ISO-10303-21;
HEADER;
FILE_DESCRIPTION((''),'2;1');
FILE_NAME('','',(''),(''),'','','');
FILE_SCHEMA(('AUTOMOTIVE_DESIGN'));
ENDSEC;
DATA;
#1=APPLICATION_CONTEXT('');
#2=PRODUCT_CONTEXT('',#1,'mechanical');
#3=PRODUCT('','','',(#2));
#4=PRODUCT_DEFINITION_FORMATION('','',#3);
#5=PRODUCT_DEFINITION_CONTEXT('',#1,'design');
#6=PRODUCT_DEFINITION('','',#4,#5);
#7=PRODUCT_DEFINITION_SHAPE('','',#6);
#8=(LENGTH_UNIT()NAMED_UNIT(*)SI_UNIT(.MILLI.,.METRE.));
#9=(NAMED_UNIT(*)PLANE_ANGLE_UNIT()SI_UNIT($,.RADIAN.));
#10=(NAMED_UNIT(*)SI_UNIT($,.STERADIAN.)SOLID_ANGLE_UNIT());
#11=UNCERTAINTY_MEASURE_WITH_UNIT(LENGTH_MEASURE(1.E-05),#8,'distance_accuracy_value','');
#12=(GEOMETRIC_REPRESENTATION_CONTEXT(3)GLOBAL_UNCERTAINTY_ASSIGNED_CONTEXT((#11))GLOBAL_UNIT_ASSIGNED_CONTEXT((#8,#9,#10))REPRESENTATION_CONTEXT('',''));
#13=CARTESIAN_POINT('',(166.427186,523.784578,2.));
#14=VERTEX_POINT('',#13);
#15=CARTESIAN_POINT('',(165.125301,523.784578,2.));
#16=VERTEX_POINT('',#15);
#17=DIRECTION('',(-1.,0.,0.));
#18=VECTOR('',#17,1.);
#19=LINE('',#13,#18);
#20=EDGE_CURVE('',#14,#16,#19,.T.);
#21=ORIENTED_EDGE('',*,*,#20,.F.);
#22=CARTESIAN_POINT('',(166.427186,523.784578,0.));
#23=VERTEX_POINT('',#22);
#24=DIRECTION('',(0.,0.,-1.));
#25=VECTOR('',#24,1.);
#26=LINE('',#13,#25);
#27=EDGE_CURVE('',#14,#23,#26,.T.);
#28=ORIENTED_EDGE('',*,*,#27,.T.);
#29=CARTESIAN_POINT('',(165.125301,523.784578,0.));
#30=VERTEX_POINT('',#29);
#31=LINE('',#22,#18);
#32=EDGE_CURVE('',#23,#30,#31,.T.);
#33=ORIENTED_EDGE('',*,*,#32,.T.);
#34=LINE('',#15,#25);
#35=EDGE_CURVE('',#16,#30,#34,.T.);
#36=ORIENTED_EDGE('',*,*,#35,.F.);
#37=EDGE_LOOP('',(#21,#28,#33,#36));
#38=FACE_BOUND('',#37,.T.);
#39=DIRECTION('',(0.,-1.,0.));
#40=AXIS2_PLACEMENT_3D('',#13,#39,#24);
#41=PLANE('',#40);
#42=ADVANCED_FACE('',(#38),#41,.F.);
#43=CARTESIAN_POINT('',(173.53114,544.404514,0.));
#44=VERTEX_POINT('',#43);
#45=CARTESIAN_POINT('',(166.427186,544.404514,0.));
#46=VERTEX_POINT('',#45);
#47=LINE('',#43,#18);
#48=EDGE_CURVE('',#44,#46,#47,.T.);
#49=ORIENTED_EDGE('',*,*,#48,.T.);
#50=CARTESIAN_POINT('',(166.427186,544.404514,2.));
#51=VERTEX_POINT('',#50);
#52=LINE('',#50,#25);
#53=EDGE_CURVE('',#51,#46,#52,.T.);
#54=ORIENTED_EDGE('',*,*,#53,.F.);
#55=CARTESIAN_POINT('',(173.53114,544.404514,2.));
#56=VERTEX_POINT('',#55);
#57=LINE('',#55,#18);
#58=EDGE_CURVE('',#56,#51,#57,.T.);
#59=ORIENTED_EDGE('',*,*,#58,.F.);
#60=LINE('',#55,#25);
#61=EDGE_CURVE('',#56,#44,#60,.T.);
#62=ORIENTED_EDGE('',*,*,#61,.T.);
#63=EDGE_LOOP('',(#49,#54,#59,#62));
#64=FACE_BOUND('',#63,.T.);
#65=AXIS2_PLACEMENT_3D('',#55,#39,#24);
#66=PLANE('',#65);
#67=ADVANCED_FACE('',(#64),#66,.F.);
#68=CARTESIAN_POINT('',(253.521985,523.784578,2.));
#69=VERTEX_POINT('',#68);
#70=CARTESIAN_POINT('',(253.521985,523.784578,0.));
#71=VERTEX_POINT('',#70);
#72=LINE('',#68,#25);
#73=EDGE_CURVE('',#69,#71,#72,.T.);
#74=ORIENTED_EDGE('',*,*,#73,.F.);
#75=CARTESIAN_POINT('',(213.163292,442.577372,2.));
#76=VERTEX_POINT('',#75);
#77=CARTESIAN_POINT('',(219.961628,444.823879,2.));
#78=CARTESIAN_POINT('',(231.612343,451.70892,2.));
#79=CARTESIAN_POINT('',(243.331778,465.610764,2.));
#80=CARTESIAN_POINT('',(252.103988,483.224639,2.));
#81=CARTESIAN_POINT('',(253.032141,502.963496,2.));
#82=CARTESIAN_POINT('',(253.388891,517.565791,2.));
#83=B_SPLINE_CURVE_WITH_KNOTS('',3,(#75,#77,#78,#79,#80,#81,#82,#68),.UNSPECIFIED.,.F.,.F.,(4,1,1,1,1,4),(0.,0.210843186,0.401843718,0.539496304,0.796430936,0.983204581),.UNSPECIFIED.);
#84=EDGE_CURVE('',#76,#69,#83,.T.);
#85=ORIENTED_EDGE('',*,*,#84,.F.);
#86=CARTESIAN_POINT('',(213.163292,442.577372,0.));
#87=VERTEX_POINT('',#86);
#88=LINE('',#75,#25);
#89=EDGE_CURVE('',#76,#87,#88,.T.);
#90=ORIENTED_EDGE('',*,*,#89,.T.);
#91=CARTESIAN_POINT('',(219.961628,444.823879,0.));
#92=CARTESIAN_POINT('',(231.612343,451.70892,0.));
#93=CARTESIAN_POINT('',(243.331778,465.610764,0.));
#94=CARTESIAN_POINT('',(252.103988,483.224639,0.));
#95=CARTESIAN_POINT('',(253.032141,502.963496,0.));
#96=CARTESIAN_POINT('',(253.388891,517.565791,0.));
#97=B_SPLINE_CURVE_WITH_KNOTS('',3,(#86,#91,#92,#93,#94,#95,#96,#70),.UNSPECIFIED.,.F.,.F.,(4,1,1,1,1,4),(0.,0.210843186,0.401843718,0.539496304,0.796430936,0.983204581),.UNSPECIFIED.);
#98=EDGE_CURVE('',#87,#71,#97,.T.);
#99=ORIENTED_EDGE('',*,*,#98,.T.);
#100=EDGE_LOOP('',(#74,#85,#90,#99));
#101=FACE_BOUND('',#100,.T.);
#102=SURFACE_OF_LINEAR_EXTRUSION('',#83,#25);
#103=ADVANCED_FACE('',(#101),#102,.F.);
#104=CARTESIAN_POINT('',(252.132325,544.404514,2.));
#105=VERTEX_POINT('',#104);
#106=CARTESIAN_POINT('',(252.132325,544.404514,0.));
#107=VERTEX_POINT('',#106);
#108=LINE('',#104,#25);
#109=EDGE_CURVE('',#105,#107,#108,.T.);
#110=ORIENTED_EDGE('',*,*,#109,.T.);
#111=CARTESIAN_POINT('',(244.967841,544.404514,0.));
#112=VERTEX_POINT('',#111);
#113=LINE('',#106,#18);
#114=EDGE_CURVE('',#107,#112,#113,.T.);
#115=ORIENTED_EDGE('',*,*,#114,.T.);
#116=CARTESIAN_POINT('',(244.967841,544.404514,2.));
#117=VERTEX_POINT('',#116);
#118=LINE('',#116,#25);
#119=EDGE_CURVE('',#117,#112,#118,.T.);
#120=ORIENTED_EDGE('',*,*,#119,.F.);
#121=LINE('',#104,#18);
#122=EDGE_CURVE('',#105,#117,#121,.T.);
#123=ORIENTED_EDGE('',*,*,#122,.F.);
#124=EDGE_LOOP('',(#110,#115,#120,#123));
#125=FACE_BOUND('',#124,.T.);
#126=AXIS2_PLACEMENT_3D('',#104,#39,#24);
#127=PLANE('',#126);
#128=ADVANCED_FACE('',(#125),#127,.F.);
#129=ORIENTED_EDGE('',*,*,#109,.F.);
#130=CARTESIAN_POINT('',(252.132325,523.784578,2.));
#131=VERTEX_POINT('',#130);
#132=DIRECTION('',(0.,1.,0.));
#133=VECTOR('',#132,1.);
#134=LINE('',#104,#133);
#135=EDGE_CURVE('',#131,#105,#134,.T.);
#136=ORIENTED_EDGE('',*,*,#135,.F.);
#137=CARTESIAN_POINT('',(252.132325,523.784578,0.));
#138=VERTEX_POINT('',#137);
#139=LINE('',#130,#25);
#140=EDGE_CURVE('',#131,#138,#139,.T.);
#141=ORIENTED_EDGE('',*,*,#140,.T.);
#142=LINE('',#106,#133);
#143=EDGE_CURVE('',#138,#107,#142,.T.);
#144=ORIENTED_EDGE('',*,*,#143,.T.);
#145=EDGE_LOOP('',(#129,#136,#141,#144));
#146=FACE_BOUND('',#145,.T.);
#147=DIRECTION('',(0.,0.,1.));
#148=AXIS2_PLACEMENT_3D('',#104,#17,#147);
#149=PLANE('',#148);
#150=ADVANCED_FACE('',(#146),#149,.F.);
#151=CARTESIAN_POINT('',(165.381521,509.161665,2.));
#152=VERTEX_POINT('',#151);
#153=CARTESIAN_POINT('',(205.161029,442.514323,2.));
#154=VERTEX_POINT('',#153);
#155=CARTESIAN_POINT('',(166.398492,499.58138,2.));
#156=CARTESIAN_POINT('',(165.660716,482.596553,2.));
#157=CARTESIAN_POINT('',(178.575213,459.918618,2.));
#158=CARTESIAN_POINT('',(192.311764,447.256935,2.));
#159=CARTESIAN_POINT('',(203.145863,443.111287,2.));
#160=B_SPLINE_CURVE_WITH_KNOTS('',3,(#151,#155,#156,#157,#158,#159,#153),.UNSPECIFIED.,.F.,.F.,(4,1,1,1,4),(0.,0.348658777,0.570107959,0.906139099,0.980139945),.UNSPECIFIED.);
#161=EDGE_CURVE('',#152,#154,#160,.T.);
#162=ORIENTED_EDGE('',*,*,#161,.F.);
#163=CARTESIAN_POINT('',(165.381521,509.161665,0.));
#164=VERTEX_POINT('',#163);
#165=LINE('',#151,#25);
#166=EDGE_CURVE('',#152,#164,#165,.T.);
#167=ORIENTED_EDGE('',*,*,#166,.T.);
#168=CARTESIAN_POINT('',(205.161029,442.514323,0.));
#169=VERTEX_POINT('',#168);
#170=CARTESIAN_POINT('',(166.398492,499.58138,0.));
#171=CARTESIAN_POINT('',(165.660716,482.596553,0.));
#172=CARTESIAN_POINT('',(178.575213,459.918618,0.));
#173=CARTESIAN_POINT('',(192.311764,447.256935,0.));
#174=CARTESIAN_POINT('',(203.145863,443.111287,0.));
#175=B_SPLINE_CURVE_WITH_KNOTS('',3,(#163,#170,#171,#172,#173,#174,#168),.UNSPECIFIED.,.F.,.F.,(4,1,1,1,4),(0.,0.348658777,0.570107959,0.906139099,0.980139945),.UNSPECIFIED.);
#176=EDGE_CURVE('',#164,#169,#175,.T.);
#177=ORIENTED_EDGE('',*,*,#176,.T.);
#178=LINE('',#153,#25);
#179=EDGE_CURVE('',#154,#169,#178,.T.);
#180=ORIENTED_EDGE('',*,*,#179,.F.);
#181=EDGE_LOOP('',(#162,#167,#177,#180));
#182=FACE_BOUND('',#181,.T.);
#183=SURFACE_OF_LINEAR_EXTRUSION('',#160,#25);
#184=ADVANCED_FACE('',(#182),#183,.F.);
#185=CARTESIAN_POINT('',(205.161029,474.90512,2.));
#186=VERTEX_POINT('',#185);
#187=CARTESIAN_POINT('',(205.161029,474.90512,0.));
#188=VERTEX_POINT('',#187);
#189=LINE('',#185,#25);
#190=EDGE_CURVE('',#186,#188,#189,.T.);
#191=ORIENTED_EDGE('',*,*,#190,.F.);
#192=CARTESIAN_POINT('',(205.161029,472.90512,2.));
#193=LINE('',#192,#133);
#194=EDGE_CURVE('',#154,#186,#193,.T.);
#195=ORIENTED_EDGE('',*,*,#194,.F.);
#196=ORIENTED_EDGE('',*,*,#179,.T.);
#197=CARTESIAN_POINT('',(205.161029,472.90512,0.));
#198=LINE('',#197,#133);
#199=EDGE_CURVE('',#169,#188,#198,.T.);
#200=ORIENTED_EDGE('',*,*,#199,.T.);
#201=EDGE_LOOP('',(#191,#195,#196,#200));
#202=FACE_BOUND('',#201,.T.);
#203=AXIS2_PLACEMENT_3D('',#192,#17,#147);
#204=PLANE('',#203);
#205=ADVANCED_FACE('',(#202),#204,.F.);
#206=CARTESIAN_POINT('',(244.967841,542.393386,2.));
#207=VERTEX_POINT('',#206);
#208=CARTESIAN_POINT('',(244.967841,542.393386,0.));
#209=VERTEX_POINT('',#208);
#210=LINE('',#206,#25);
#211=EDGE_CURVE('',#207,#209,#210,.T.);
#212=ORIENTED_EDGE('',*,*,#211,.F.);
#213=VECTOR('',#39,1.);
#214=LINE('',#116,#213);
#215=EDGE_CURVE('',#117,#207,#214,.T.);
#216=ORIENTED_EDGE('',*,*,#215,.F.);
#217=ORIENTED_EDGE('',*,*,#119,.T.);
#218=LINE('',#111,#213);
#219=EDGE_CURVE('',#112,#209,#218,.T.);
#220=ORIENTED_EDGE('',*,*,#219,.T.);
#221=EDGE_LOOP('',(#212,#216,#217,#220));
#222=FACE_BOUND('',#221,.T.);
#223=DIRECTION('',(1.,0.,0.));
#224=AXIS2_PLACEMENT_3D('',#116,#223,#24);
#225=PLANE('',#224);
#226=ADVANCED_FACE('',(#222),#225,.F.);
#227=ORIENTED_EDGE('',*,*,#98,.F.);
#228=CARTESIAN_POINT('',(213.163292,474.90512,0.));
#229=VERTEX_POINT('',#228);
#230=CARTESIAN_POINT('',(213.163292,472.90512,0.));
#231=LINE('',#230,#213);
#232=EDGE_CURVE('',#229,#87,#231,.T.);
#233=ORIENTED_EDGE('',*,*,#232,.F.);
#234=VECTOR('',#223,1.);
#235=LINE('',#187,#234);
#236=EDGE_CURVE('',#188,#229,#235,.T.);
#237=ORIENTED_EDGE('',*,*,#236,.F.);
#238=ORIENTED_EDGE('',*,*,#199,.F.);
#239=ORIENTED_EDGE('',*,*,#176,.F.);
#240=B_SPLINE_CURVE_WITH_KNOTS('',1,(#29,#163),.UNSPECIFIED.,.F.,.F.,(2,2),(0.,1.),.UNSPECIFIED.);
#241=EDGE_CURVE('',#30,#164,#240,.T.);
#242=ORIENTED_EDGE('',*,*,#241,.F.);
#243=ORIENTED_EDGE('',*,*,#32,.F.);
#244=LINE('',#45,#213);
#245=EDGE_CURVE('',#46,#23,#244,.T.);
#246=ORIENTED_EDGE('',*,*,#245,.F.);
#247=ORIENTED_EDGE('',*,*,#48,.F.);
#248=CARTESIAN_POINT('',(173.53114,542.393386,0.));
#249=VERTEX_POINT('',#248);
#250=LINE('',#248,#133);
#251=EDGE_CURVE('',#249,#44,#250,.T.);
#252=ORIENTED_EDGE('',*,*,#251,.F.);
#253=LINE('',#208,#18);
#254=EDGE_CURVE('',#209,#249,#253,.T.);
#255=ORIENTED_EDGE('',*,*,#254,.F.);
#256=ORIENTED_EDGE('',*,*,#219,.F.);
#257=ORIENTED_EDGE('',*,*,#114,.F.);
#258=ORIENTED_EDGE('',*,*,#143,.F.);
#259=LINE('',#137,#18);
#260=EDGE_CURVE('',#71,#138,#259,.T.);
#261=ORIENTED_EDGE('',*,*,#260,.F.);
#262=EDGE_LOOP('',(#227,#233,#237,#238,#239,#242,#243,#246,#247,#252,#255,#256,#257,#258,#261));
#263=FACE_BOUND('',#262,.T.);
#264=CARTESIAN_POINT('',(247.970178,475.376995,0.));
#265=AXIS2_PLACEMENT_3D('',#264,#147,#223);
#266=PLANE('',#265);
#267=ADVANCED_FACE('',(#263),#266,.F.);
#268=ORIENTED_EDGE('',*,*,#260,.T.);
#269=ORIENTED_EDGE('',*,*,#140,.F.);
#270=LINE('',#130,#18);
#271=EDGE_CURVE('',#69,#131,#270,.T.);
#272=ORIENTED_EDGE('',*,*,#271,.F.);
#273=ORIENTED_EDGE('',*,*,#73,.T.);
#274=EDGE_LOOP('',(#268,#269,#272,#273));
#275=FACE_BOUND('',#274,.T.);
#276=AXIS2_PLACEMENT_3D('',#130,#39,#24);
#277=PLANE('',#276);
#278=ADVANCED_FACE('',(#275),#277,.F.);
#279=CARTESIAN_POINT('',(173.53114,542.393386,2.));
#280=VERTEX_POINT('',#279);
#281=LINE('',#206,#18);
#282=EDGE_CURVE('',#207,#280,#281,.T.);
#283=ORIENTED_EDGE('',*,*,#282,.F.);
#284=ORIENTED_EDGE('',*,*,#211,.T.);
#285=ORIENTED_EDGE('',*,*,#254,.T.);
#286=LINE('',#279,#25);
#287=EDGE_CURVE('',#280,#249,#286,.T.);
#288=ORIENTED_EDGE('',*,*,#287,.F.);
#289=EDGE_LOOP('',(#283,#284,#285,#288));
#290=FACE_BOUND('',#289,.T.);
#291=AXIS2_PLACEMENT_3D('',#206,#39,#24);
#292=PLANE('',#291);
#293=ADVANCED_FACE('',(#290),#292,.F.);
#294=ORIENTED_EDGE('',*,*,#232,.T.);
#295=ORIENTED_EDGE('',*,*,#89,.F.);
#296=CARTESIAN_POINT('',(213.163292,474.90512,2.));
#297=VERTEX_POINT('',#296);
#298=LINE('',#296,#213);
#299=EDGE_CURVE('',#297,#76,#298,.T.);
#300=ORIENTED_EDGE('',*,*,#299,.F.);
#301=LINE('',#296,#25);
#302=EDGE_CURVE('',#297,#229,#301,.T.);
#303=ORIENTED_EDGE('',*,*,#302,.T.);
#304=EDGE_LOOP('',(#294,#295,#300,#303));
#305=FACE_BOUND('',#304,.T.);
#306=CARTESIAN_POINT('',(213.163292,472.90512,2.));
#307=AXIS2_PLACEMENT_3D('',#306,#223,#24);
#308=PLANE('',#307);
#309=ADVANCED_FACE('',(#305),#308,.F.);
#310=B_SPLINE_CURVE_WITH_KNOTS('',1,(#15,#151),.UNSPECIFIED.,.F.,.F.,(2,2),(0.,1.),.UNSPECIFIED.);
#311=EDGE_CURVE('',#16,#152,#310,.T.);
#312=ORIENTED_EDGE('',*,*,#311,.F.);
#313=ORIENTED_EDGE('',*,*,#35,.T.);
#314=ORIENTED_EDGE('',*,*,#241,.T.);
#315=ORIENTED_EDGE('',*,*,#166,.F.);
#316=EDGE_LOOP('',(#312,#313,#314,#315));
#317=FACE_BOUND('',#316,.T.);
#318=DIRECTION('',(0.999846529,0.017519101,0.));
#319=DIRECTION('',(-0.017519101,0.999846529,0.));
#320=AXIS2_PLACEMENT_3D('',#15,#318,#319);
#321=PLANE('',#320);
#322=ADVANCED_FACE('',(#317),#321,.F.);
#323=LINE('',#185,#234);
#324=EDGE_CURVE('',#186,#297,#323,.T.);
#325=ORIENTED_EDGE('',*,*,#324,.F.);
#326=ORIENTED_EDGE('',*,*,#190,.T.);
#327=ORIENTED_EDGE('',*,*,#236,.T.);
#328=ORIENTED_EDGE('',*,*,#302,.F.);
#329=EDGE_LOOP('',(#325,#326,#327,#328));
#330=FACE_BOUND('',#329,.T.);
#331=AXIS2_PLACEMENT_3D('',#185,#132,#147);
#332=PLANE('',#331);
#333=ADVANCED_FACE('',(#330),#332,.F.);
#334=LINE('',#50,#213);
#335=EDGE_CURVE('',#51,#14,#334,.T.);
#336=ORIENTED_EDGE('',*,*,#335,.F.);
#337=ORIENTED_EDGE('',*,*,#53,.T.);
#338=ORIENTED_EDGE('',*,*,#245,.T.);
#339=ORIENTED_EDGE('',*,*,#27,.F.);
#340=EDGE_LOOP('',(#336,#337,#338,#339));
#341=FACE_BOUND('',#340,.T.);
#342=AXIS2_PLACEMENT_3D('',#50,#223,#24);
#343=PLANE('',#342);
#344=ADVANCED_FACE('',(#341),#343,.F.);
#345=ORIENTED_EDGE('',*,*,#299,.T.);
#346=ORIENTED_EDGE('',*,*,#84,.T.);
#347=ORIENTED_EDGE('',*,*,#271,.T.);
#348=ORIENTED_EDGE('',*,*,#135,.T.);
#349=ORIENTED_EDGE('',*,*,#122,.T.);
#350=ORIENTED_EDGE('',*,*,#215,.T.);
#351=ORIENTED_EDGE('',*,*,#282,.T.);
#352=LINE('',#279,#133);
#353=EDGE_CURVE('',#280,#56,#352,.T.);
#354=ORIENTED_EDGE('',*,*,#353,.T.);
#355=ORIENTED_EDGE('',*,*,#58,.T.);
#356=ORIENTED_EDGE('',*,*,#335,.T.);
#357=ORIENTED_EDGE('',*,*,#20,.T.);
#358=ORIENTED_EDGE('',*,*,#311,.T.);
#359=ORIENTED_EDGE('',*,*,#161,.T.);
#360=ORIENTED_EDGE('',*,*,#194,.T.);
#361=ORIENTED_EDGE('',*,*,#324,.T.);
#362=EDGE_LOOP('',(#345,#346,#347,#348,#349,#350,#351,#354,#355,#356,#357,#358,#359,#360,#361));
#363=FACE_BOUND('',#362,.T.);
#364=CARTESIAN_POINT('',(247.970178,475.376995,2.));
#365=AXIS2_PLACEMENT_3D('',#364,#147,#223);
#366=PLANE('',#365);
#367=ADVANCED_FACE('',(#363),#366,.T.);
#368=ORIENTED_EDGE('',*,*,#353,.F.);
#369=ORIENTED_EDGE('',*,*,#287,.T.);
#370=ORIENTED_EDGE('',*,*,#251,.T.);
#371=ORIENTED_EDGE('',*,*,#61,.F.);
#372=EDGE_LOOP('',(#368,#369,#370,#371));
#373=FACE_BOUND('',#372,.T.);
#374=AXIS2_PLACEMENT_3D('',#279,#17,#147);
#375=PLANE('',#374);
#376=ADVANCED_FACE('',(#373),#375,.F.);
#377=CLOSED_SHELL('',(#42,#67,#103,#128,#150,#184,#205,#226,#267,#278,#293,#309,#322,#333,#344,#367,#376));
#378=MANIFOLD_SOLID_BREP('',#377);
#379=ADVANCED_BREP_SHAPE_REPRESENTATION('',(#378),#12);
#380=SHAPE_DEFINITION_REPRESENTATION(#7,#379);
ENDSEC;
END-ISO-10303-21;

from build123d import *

# Parameters (mm, degrees)
EXTRUDE_1_DEPTH = 2


with BuildPart() as part:
    # 草图1 → 凸台-拉伸1 (new body)
    with BuildSketch(Plane.XY):
        with BuildLine():
            Line((244.967841267, 542.393386476), (173.531139847, 542.393386476))
            Line((173.531139847, 542.393386476), (173.531139847, 544.404513771))
            Line((173.531139847, 544.404513771), (166.427186265, 544.404513771))
            Line((166.427186265, 544.404513771), (166.427186265, 523.784577737))
            Line((166.427186265, 523.784577737), (165.125301121, 523.784577737))
            Line((165.125301121, 523.784577737), (165.381520735, 509.161664861))
            add(Edge.make_bspline(
                [(165.381520735, 509.161664861), (166.398492196, 499.581380375), (165.660716299, 482.596552628), (178.57521294, 459.918617671), (192.311763969, 447.256935323), (203.145863385, 443.111286653), (205.16102947, 442.514323356)],
                knots=[0, 0, 0, 0, 0.348658777, 0.570107959, 0.906139099, 0.980139945, 0.980139945, 0.980139945, 0.980139945], degree=3))
            Line((205.16102947, 442.514323356), (205.16102947, 472.905120341))
            Line((205.16102947, 472.905120341), (205.16102947, 474.905120341))
            Line((205.16102947, 474.905120341), (213.16329184, 474.905120341))
            Line((213.16329184, 474.905120341), (213.16329184, 472.905120341))
            Line((213.16329184, 472.905120341), (213.16329184, 442.577372397))
            add(Edge.make_bspline(
                [(253.521985396, 523.784577737), (253.388891198, 517.565791469), (253.032140526, 502.963496163), (252.103987956, 483.22463858), (243.331777802, 465.610764177), (231.612343059, 451.708919957), (219.961627576, 444.823878536), (213.16329184, 442.577372397)],
                knots=[0, 0, 0, 0, 0.186773646, 0.443708277, 0.581360863, 0.772361396, 0.983204581, 0.983204581, 0.983204581, 0.983204581], degree=3))
            Line((253.521985396, 523.784577737), (252.132324541, 523.784577737))
            Line((252.132324541, 523.784577737), (252.132324541, 544.404513771))
            Line((252.132324541, 544.404513771), (244.967841267, 544.404513771))
            Line((244.967841267, 544.404513771), (244.967841267, 542.393386476))
        make_face()
    extrude(amount=EXTRUDE_1_DEPTH)


solid = part.part
